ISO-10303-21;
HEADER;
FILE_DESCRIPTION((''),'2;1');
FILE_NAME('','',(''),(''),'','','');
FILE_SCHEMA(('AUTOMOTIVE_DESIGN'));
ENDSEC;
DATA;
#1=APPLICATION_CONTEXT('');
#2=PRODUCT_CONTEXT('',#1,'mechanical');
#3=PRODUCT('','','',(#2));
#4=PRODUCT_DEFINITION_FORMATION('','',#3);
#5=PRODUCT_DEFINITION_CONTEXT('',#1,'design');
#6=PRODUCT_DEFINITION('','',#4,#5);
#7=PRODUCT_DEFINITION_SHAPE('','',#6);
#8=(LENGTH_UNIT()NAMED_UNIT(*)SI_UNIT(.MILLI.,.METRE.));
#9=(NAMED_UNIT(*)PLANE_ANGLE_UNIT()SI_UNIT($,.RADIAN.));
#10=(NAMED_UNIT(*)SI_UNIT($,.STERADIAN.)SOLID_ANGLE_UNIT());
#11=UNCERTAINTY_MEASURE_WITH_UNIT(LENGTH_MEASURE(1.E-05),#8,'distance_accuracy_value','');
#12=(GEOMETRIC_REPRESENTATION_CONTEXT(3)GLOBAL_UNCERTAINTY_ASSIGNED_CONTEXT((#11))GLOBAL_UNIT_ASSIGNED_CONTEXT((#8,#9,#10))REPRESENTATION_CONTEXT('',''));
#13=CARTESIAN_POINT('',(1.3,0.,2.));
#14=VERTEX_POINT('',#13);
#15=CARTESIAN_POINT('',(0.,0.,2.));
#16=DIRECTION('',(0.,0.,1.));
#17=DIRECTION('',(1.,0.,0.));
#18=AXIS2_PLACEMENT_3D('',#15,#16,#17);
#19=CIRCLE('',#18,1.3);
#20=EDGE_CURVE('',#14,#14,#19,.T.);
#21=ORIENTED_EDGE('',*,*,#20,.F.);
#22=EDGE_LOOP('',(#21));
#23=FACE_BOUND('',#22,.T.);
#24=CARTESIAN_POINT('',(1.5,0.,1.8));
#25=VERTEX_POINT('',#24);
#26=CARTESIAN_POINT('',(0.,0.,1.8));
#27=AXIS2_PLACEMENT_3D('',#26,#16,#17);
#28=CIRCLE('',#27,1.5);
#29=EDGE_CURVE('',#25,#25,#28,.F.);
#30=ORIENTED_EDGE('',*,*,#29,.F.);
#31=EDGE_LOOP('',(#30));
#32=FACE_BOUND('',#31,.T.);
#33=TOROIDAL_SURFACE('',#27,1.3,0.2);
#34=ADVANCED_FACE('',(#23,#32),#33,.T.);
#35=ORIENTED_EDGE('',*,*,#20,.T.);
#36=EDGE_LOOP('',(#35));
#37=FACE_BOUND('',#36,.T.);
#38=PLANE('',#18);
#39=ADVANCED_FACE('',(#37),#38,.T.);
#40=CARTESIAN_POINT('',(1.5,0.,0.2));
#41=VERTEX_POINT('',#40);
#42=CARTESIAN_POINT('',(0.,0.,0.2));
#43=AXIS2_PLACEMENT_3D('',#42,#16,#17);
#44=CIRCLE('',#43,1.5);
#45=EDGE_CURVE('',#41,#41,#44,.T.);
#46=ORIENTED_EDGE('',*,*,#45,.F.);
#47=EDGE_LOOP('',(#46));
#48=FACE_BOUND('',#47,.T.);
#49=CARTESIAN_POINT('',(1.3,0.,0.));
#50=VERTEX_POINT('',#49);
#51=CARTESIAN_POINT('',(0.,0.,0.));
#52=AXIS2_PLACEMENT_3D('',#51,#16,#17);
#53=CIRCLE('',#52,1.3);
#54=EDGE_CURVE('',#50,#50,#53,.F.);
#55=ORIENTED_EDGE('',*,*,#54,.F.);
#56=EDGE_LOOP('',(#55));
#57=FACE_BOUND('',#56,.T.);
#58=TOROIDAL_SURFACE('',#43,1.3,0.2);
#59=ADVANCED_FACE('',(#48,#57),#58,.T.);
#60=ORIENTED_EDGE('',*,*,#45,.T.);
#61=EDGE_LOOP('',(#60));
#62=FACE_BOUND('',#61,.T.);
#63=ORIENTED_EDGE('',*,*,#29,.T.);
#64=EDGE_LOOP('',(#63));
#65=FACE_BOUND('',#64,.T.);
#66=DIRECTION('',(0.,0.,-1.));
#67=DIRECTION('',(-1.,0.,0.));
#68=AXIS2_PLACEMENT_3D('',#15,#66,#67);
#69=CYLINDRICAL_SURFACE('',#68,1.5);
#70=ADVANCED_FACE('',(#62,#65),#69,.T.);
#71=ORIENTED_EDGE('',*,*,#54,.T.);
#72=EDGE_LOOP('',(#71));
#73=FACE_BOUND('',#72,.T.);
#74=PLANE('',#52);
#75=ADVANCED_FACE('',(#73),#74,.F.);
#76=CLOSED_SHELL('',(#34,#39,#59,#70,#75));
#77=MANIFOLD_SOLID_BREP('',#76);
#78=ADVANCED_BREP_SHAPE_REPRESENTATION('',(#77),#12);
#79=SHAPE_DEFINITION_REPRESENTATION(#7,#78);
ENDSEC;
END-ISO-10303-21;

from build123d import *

# Parameters (mm, degrees)
SKETCH_1_R      = 1.5
EXTRUDE_1_DEPTH = 2
FILLET_1_R      = 0.2


with BuildPart() as part:
    # Эскиз1 → Бобышка-Вытянуть1 (new body)
    with BuildSketch(Plane.XY):
        Circle(SKETCH_1_R)
    extrude(amount=EXTRUDE_1_DEPTH)

    # Скругление1
    fillet_1_edges = [part.edges().sort_by_distance(p)[0] for p in [
        (-1.5, 0, 0),
        (-1.5, 0, 2),
    ]]
    fillet(fillet_1_edges, radius=FILLET_1_R)


solid = part.part
